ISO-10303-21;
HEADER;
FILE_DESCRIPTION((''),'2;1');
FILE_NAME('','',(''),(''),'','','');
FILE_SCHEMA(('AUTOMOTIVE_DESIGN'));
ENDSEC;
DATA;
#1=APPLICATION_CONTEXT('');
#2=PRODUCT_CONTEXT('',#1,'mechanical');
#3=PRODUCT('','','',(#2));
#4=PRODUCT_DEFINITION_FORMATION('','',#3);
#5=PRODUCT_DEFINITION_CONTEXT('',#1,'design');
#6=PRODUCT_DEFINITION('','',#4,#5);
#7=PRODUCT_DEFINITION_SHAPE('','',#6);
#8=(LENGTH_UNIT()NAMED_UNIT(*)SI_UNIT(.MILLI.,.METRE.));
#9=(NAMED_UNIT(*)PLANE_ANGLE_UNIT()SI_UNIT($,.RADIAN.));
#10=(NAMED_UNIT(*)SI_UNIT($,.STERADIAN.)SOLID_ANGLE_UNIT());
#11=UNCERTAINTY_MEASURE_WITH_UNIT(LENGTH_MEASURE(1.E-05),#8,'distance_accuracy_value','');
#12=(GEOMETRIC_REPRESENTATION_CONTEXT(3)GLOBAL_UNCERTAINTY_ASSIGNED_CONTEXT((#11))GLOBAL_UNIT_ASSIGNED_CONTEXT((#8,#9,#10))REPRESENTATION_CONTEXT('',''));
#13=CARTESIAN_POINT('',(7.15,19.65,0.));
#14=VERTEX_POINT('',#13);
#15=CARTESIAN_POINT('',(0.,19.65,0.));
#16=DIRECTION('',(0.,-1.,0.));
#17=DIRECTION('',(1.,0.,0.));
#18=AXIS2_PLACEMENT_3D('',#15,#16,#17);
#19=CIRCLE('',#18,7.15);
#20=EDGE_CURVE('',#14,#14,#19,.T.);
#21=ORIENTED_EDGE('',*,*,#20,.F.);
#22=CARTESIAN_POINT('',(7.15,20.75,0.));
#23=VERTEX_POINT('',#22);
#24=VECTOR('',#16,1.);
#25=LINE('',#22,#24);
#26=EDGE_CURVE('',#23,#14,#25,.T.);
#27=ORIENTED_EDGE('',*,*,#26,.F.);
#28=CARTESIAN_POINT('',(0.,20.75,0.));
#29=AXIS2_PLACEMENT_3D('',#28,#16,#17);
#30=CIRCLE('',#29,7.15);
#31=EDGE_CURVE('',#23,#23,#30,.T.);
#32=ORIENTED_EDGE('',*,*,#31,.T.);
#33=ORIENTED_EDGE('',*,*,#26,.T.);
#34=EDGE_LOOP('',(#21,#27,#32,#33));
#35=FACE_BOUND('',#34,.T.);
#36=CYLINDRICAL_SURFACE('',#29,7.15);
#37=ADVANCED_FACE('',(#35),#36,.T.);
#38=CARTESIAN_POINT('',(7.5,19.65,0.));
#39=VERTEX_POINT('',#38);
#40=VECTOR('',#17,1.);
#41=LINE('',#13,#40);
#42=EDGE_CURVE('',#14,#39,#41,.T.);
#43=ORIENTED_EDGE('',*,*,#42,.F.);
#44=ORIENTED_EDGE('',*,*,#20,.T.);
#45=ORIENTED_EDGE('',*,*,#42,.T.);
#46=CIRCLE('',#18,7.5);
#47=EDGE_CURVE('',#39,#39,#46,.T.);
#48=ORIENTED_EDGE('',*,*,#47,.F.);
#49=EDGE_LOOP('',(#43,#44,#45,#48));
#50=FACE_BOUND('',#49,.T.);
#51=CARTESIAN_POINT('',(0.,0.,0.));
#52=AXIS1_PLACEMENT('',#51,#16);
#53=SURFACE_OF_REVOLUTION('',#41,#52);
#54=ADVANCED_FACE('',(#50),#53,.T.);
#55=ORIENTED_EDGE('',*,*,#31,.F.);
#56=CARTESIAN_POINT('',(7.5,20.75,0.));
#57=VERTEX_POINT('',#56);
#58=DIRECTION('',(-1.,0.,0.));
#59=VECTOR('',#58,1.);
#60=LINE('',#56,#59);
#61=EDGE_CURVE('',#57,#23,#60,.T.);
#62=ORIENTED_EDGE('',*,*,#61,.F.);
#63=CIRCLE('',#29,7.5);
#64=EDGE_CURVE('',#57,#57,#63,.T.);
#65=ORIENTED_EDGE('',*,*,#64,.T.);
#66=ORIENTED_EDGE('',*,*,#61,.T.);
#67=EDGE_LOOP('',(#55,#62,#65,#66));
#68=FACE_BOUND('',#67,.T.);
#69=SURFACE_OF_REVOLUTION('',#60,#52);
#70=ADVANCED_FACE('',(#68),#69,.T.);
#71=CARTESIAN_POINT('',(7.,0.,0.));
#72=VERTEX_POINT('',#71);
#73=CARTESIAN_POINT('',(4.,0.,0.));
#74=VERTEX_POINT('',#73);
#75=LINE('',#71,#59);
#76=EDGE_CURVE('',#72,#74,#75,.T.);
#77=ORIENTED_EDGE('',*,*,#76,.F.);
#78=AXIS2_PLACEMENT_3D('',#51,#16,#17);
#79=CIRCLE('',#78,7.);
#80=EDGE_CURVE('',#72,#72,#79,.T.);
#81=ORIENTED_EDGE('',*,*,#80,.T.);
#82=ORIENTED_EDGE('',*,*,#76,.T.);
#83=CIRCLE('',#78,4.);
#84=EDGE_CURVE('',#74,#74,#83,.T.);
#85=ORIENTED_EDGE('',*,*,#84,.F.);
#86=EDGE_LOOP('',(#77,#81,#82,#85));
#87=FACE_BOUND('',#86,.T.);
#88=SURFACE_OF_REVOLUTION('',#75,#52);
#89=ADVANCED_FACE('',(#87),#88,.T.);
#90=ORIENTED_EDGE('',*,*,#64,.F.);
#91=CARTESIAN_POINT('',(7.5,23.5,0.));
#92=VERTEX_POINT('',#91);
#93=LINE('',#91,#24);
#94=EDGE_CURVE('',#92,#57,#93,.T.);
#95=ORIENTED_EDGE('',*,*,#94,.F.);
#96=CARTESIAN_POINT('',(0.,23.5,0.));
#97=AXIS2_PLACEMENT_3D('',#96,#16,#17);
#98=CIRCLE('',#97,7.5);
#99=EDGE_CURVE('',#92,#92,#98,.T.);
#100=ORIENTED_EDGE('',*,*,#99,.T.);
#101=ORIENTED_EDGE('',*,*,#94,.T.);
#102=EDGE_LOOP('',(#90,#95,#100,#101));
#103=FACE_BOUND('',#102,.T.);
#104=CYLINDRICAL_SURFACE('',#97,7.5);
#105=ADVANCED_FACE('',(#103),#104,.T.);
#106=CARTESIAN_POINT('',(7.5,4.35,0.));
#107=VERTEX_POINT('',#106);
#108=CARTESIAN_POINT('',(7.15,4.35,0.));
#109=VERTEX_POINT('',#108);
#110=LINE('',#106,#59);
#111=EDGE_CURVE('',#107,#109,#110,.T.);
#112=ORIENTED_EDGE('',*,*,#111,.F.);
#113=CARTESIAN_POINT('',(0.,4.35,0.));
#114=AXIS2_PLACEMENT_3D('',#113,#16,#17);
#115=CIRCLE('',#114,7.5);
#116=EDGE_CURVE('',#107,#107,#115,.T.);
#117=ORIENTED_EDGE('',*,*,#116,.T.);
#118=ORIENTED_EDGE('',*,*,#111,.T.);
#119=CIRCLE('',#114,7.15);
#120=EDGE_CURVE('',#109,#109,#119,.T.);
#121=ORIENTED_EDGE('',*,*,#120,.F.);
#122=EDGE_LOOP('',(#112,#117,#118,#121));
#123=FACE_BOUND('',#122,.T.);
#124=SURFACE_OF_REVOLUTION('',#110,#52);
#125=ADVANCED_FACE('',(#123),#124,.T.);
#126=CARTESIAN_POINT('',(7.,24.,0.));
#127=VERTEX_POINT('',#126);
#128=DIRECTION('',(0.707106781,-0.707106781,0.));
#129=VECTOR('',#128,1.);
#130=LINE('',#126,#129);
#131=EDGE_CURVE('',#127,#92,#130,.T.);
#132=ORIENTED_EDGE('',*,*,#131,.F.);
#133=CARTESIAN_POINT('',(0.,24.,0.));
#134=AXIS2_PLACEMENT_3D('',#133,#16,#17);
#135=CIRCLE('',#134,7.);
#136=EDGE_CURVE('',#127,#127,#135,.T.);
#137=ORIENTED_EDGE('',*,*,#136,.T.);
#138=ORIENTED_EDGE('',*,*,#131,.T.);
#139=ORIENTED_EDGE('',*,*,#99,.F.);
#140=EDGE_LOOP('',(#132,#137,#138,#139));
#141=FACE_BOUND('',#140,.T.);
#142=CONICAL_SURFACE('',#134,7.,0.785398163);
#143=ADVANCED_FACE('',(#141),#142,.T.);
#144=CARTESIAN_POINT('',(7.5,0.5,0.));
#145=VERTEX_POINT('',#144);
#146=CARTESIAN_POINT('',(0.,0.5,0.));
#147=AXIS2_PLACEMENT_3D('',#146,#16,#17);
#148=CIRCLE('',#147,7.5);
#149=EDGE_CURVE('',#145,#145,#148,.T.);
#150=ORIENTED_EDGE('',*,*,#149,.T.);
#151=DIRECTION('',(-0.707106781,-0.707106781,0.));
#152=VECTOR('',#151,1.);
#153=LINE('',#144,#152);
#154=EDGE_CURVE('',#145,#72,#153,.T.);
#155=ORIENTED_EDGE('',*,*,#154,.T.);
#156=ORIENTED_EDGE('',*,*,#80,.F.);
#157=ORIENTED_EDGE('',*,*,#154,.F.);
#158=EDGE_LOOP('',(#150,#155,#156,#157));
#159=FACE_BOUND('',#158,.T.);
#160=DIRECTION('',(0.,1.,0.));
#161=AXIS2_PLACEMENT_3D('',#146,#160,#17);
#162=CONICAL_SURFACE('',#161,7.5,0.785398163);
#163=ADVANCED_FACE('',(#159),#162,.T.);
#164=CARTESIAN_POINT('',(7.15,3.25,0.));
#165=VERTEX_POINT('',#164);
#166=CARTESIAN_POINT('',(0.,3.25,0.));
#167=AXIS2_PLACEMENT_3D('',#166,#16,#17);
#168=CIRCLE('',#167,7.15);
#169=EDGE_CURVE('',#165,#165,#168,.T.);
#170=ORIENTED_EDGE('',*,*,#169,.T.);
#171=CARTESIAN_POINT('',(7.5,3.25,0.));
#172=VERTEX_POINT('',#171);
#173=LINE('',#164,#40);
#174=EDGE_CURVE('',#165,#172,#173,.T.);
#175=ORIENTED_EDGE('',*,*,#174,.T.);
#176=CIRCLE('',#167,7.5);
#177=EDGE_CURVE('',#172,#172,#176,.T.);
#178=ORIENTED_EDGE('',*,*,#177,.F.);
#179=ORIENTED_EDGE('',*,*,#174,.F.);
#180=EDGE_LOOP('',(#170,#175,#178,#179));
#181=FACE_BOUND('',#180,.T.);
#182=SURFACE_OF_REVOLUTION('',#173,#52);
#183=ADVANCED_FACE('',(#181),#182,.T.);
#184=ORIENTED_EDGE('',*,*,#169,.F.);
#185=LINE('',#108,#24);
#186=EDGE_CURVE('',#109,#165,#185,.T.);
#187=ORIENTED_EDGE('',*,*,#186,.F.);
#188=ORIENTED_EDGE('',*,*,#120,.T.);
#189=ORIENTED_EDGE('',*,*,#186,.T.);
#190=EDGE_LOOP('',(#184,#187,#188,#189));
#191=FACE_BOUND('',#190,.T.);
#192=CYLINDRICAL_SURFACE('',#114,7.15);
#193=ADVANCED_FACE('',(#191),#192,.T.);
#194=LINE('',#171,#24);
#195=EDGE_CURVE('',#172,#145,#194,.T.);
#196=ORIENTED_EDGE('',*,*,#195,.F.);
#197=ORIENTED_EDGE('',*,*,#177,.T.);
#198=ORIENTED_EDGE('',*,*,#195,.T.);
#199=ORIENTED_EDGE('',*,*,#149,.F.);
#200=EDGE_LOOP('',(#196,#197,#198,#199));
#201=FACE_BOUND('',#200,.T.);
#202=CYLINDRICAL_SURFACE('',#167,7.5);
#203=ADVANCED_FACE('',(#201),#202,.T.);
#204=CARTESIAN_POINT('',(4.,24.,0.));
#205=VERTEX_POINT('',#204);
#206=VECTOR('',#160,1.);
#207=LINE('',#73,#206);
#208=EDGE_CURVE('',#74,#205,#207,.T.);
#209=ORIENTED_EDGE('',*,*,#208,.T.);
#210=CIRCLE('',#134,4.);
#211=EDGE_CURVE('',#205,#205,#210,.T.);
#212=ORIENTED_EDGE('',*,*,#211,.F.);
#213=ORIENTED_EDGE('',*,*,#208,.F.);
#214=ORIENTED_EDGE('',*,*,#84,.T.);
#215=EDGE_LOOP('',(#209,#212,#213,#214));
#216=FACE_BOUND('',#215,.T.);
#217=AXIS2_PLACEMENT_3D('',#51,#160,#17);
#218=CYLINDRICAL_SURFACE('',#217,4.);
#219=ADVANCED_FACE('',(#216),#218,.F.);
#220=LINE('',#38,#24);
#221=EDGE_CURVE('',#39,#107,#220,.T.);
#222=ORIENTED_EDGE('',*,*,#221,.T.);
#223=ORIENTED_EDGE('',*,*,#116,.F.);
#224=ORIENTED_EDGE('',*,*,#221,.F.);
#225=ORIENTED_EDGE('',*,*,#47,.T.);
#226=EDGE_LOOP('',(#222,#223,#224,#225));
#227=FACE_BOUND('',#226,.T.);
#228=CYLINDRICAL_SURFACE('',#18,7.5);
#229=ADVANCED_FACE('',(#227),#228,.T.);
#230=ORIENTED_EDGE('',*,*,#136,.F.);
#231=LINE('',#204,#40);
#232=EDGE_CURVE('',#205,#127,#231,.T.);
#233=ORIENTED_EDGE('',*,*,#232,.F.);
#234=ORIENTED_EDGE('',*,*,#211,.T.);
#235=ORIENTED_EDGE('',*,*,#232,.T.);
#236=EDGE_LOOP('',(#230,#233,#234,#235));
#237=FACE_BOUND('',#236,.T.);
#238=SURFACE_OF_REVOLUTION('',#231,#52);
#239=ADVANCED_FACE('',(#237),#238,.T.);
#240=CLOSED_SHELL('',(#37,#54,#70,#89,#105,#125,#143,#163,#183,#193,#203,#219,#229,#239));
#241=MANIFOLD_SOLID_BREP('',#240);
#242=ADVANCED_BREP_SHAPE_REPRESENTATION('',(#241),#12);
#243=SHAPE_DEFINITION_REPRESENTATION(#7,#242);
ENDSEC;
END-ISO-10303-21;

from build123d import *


with BuildPart() as f2:
    # F2: sweep along a path in F0
    with BuildLine(Plane.XZ) as f2_path:
        CenterArc((0, 0), 4, 0, 360)
    # F1 (on Right) → F2 (sweep)
    with BuildSketch(Plane.YZ):
        Polygon((0, 7), (0, 4), (24, 4), (24, 7), (23.5, 7.5), (20.75, 7.5), (20.75, 7.15), (19.65, 7.15), (19.65, 7.5), (12, 7.5), (4.35, 7.5), (4.35, 7.15), (3.25, 7.15), (3.25, 7.5), (0.5, 7.5), align=None)
    sweep(path=f2_path.line)


solid = f2.part
